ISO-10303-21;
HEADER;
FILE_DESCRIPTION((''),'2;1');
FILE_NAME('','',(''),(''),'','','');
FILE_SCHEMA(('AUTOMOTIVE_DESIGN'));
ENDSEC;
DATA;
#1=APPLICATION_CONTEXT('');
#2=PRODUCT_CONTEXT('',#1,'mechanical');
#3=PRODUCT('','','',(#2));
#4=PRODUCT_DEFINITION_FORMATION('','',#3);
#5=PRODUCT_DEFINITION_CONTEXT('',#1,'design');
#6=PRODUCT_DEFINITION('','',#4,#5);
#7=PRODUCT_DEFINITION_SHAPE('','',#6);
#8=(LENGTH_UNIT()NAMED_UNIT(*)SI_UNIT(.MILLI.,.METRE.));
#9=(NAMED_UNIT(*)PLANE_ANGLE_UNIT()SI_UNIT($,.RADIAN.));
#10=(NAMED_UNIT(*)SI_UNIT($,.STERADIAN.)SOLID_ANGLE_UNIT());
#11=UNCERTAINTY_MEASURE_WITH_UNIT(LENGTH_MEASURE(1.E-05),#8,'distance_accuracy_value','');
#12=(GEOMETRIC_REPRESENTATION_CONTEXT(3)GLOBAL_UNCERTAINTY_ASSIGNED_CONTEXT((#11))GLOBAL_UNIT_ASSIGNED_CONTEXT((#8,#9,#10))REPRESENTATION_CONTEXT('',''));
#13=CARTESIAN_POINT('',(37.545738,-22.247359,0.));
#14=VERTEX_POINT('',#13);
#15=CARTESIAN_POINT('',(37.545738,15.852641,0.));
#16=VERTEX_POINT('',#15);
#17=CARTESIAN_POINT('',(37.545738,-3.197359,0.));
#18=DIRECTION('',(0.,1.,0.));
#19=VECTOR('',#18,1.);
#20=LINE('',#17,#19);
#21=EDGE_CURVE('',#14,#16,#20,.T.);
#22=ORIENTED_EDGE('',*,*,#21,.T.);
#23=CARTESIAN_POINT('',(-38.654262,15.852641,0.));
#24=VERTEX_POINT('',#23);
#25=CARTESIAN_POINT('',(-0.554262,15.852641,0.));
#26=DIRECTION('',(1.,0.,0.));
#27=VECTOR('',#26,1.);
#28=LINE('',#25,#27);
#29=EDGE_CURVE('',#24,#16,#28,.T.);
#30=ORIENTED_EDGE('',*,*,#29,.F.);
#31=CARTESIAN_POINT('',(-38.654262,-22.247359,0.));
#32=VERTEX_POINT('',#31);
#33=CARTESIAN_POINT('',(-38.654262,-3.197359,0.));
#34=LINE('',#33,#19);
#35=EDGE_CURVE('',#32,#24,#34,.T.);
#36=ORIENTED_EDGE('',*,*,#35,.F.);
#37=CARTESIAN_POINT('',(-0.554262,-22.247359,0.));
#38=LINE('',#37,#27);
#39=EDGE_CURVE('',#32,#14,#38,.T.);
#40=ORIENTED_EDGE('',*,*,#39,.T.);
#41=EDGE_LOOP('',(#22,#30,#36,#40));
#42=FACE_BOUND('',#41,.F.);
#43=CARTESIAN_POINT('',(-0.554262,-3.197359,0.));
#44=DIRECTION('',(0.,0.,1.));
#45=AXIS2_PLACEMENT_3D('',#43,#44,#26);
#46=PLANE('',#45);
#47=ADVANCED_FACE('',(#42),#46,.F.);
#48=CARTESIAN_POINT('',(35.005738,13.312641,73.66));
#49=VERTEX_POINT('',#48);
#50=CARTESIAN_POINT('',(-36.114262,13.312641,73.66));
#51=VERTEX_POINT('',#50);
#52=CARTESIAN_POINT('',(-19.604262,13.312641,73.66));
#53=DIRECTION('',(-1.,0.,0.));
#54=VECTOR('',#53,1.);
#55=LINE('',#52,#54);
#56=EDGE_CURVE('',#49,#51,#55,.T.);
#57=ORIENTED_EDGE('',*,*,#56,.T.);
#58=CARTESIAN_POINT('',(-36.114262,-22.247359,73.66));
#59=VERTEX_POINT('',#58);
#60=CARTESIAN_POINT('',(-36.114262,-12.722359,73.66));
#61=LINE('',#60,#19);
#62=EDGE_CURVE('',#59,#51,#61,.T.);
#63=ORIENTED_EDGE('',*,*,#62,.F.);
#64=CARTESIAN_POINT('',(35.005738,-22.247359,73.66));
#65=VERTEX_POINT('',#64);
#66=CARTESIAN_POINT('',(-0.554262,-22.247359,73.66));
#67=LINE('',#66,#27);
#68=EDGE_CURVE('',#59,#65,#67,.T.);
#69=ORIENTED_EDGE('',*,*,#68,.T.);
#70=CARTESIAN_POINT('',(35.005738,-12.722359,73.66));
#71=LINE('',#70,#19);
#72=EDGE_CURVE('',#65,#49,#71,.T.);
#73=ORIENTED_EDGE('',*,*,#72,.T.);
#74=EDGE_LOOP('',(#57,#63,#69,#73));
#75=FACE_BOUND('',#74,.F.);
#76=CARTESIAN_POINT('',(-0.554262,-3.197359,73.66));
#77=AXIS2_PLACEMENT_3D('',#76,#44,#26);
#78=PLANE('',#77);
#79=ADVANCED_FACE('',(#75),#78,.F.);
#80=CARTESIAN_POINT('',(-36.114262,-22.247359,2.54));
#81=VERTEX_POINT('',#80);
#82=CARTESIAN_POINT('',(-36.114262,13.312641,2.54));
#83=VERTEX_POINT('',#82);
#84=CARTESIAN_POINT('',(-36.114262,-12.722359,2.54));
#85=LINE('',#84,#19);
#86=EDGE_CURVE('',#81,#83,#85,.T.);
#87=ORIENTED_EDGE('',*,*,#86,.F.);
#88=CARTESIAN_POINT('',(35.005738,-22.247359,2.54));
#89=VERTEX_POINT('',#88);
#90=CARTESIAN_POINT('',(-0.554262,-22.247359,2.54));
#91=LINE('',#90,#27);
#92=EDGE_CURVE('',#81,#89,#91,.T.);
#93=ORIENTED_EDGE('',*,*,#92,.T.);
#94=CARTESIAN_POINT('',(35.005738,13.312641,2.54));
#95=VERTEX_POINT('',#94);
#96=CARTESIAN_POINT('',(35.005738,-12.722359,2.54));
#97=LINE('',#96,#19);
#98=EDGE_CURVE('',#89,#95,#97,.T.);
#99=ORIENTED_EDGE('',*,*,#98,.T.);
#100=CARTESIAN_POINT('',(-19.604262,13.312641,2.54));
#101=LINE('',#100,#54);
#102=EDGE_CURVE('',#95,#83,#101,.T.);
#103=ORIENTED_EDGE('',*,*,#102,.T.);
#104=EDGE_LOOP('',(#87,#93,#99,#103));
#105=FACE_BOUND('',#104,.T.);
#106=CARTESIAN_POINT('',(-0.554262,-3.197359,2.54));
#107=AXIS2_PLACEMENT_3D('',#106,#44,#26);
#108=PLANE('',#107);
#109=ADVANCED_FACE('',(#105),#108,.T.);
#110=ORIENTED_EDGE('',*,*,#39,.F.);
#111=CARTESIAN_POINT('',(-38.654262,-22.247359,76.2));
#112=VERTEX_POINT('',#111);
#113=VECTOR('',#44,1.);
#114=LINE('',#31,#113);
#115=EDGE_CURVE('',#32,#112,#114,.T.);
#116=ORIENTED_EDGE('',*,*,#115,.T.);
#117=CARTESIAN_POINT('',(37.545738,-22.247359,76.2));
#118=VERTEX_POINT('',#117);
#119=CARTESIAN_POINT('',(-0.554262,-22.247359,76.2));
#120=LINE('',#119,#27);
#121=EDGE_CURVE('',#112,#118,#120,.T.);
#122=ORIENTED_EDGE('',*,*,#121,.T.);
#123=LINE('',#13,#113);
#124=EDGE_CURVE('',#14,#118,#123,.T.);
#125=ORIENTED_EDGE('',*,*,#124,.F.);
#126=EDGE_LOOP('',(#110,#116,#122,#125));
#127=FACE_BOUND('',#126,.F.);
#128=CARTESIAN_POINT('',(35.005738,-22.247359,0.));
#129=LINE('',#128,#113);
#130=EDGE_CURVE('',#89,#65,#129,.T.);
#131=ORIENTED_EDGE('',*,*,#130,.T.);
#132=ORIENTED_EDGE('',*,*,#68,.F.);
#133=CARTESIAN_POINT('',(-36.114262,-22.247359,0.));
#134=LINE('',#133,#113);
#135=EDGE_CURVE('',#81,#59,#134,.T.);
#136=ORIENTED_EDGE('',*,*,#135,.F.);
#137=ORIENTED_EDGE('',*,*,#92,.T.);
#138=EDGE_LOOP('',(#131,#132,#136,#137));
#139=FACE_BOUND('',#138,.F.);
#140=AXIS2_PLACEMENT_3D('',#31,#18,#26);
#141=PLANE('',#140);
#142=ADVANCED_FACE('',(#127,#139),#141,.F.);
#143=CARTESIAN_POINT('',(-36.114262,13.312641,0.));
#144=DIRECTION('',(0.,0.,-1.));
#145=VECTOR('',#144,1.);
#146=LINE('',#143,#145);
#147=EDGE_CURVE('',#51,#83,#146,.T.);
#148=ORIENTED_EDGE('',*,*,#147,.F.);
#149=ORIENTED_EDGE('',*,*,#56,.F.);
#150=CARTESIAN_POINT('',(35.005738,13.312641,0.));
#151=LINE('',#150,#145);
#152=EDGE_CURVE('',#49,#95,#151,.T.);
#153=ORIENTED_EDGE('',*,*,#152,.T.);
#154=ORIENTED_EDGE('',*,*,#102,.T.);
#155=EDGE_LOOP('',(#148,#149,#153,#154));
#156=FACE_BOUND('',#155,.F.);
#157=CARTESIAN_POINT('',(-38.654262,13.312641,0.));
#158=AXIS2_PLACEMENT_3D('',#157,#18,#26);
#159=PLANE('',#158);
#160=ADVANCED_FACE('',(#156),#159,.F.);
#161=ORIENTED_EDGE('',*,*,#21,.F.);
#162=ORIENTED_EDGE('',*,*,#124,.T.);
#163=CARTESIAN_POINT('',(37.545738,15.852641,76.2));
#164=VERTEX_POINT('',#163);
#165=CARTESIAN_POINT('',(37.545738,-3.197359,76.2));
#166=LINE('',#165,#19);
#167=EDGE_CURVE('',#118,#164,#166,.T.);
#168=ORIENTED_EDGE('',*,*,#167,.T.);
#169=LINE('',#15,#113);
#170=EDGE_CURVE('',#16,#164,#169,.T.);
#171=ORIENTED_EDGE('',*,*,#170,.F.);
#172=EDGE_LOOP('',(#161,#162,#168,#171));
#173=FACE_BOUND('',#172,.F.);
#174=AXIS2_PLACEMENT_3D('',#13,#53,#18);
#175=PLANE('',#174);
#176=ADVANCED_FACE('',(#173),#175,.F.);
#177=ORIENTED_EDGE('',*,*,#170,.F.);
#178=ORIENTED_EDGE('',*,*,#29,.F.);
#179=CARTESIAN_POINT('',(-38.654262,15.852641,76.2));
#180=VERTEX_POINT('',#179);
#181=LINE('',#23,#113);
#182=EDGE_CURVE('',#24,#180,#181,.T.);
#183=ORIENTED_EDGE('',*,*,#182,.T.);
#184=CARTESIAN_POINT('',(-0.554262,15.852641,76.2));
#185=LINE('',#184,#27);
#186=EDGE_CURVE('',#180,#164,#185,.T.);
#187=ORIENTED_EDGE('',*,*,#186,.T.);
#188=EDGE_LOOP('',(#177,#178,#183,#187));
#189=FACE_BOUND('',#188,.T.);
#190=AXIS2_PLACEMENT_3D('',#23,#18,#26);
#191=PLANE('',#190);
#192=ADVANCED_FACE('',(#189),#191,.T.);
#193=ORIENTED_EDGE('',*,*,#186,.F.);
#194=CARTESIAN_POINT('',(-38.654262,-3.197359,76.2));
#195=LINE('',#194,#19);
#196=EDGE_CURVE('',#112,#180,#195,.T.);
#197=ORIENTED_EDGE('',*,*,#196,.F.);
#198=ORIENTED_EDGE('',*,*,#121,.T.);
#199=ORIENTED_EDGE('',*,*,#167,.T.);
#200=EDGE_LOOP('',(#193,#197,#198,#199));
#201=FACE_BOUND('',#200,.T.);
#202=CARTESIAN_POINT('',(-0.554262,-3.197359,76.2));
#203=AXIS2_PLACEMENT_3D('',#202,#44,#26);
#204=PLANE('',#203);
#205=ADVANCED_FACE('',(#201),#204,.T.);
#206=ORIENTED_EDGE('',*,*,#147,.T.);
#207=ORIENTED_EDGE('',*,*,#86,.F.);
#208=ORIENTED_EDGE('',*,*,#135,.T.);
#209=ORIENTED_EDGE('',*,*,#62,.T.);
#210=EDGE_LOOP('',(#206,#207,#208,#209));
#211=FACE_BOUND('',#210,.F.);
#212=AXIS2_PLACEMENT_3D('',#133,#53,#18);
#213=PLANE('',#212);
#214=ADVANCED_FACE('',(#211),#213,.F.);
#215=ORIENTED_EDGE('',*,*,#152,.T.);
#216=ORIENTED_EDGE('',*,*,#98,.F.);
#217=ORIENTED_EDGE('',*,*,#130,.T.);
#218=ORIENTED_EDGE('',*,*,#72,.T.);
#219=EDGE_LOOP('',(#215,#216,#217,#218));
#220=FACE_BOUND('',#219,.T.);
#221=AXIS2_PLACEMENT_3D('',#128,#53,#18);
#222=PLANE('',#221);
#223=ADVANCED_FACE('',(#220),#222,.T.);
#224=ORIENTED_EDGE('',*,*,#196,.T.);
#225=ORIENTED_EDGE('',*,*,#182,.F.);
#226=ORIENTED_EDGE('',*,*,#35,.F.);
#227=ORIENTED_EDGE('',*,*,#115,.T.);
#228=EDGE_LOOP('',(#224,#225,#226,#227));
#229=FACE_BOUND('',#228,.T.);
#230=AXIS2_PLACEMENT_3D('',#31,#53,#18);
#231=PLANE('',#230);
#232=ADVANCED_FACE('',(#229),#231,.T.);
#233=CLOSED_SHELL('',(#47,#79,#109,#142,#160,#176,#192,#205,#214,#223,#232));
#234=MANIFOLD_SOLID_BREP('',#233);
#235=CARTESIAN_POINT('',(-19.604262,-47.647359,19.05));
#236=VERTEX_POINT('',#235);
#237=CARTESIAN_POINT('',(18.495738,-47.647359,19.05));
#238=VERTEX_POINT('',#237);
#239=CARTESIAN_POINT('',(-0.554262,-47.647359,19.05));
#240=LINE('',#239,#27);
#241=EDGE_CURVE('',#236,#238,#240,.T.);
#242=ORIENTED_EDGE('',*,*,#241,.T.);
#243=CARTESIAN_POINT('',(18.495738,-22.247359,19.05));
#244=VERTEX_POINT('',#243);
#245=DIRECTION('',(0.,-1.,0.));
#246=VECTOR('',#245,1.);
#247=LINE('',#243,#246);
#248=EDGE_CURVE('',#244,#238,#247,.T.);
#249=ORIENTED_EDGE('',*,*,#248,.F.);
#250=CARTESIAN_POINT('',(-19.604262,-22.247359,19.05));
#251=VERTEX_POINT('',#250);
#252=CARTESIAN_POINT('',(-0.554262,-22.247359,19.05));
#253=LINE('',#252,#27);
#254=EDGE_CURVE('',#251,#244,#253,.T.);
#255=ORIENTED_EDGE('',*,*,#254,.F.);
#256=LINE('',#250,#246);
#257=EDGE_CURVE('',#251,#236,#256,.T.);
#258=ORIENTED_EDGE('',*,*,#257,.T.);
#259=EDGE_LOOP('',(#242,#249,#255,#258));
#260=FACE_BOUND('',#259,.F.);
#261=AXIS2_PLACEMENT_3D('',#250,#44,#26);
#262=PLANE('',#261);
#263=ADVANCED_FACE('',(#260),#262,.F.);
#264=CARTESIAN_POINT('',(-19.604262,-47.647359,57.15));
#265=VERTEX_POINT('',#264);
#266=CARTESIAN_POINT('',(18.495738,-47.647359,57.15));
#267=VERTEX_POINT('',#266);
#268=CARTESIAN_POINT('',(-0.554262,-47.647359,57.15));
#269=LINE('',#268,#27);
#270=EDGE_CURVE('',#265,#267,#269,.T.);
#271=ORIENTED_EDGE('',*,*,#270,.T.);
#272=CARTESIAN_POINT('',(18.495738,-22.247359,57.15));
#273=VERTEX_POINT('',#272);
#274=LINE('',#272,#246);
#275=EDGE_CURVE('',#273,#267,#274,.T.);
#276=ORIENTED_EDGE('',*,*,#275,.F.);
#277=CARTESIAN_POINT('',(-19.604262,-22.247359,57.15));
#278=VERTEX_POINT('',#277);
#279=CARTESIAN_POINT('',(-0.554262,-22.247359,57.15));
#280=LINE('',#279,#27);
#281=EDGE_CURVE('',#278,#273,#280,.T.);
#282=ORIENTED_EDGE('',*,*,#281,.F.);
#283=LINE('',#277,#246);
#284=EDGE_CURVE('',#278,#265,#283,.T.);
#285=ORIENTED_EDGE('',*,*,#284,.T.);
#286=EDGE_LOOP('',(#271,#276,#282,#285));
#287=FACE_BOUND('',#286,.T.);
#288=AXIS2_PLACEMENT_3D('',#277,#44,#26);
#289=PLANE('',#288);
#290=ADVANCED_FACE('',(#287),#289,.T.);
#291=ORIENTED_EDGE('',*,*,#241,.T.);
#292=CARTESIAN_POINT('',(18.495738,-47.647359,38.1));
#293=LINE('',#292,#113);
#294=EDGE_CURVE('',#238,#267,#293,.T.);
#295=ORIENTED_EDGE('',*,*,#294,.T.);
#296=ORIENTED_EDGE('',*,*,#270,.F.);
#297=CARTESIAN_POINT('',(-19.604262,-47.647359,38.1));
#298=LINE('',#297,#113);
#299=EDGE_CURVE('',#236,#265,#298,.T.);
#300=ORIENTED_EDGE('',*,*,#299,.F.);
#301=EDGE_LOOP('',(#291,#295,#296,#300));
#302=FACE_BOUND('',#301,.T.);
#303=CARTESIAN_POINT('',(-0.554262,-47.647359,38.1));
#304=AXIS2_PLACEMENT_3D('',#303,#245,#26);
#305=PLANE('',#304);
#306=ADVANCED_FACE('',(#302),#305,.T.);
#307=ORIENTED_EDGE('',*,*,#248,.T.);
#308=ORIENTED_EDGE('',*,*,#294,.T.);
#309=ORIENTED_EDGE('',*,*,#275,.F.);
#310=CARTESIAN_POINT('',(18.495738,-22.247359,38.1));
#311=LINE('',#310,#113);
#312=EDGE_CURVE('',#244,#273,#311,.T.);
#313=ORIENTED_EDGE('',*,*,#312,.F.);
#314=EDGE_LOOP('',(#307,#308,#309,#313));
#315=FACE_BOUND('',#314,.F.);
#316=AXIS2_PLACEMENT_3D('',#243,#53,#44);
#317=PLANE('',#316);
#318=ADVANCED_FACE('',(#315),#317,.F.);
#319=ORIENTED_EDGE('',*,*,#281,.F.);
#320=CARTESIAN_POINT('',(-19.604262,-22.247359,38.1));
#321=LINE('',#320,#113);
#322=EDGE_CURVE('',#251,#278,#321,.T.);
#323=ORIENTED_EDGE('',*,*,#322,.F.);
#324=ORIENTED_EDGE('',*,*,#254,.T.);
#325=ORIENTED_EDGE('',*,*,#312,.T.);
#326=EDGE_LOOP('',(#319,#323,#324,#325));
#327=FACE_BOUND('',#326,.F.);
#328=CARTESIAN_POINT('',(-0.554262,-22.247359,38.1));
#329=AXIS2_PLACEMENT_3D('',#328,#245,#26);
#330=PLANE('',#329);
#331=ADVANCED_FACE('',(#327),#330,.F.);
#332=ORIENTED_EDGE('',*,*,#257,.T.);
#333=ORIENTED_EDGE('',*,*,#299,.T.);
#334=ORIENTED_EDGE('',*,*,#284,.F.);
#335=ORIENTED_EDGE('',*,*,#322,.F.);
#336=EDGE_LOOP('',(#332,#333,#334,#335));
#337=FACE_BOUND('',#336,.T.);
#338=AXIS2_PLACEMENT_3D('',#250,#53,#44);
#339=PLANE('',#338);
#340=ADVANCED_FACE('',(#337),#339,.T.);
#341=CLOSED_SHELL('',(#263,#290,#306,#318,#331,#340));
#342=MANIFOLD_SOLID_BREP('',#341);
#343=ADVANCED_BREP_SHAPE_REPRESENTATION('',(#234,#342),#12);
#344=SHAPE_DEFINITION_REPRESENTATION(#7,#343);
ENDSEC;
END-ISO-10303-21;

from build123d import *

# Parameters (mm, degrees)
F0_W     = 76.2
F0_H     = 38.1
F1_DEPTH = 76.2
F3_T     = -2.54
F2_W     = 38.1
F2_H     = 38.1
F4_DEPTH = 25.4


with BuildPart() as f1:
    # F0 (on Top) → F1 (new body)
    with BuildSketch(Plane.XY):
        with Locations((-0.554262, -3.197359)):
            Rectangle(F0_W, F0_H)
    extrude(amount=F1_DEPTH)

    # F3
    f3_openings = [f1.faces().sort_by_distance(p)[0] for p in [
        (-0.554262, -22.247359, 38.1),
    ]]
    offset(amount=F3_T, openings=f3_openings)


with BuildPart() as f4:
    # F2 (on face) → F4 (new body)
    with BuildSketch(Plane.XZ.offset(22.247359)):
        with Locations((-0.554262, 38.1)):
            Rectangle(F2_W, F2_H)
    extrude(amount=F4_DEPTH)


solid = Compound([f1.part, f4.part])
